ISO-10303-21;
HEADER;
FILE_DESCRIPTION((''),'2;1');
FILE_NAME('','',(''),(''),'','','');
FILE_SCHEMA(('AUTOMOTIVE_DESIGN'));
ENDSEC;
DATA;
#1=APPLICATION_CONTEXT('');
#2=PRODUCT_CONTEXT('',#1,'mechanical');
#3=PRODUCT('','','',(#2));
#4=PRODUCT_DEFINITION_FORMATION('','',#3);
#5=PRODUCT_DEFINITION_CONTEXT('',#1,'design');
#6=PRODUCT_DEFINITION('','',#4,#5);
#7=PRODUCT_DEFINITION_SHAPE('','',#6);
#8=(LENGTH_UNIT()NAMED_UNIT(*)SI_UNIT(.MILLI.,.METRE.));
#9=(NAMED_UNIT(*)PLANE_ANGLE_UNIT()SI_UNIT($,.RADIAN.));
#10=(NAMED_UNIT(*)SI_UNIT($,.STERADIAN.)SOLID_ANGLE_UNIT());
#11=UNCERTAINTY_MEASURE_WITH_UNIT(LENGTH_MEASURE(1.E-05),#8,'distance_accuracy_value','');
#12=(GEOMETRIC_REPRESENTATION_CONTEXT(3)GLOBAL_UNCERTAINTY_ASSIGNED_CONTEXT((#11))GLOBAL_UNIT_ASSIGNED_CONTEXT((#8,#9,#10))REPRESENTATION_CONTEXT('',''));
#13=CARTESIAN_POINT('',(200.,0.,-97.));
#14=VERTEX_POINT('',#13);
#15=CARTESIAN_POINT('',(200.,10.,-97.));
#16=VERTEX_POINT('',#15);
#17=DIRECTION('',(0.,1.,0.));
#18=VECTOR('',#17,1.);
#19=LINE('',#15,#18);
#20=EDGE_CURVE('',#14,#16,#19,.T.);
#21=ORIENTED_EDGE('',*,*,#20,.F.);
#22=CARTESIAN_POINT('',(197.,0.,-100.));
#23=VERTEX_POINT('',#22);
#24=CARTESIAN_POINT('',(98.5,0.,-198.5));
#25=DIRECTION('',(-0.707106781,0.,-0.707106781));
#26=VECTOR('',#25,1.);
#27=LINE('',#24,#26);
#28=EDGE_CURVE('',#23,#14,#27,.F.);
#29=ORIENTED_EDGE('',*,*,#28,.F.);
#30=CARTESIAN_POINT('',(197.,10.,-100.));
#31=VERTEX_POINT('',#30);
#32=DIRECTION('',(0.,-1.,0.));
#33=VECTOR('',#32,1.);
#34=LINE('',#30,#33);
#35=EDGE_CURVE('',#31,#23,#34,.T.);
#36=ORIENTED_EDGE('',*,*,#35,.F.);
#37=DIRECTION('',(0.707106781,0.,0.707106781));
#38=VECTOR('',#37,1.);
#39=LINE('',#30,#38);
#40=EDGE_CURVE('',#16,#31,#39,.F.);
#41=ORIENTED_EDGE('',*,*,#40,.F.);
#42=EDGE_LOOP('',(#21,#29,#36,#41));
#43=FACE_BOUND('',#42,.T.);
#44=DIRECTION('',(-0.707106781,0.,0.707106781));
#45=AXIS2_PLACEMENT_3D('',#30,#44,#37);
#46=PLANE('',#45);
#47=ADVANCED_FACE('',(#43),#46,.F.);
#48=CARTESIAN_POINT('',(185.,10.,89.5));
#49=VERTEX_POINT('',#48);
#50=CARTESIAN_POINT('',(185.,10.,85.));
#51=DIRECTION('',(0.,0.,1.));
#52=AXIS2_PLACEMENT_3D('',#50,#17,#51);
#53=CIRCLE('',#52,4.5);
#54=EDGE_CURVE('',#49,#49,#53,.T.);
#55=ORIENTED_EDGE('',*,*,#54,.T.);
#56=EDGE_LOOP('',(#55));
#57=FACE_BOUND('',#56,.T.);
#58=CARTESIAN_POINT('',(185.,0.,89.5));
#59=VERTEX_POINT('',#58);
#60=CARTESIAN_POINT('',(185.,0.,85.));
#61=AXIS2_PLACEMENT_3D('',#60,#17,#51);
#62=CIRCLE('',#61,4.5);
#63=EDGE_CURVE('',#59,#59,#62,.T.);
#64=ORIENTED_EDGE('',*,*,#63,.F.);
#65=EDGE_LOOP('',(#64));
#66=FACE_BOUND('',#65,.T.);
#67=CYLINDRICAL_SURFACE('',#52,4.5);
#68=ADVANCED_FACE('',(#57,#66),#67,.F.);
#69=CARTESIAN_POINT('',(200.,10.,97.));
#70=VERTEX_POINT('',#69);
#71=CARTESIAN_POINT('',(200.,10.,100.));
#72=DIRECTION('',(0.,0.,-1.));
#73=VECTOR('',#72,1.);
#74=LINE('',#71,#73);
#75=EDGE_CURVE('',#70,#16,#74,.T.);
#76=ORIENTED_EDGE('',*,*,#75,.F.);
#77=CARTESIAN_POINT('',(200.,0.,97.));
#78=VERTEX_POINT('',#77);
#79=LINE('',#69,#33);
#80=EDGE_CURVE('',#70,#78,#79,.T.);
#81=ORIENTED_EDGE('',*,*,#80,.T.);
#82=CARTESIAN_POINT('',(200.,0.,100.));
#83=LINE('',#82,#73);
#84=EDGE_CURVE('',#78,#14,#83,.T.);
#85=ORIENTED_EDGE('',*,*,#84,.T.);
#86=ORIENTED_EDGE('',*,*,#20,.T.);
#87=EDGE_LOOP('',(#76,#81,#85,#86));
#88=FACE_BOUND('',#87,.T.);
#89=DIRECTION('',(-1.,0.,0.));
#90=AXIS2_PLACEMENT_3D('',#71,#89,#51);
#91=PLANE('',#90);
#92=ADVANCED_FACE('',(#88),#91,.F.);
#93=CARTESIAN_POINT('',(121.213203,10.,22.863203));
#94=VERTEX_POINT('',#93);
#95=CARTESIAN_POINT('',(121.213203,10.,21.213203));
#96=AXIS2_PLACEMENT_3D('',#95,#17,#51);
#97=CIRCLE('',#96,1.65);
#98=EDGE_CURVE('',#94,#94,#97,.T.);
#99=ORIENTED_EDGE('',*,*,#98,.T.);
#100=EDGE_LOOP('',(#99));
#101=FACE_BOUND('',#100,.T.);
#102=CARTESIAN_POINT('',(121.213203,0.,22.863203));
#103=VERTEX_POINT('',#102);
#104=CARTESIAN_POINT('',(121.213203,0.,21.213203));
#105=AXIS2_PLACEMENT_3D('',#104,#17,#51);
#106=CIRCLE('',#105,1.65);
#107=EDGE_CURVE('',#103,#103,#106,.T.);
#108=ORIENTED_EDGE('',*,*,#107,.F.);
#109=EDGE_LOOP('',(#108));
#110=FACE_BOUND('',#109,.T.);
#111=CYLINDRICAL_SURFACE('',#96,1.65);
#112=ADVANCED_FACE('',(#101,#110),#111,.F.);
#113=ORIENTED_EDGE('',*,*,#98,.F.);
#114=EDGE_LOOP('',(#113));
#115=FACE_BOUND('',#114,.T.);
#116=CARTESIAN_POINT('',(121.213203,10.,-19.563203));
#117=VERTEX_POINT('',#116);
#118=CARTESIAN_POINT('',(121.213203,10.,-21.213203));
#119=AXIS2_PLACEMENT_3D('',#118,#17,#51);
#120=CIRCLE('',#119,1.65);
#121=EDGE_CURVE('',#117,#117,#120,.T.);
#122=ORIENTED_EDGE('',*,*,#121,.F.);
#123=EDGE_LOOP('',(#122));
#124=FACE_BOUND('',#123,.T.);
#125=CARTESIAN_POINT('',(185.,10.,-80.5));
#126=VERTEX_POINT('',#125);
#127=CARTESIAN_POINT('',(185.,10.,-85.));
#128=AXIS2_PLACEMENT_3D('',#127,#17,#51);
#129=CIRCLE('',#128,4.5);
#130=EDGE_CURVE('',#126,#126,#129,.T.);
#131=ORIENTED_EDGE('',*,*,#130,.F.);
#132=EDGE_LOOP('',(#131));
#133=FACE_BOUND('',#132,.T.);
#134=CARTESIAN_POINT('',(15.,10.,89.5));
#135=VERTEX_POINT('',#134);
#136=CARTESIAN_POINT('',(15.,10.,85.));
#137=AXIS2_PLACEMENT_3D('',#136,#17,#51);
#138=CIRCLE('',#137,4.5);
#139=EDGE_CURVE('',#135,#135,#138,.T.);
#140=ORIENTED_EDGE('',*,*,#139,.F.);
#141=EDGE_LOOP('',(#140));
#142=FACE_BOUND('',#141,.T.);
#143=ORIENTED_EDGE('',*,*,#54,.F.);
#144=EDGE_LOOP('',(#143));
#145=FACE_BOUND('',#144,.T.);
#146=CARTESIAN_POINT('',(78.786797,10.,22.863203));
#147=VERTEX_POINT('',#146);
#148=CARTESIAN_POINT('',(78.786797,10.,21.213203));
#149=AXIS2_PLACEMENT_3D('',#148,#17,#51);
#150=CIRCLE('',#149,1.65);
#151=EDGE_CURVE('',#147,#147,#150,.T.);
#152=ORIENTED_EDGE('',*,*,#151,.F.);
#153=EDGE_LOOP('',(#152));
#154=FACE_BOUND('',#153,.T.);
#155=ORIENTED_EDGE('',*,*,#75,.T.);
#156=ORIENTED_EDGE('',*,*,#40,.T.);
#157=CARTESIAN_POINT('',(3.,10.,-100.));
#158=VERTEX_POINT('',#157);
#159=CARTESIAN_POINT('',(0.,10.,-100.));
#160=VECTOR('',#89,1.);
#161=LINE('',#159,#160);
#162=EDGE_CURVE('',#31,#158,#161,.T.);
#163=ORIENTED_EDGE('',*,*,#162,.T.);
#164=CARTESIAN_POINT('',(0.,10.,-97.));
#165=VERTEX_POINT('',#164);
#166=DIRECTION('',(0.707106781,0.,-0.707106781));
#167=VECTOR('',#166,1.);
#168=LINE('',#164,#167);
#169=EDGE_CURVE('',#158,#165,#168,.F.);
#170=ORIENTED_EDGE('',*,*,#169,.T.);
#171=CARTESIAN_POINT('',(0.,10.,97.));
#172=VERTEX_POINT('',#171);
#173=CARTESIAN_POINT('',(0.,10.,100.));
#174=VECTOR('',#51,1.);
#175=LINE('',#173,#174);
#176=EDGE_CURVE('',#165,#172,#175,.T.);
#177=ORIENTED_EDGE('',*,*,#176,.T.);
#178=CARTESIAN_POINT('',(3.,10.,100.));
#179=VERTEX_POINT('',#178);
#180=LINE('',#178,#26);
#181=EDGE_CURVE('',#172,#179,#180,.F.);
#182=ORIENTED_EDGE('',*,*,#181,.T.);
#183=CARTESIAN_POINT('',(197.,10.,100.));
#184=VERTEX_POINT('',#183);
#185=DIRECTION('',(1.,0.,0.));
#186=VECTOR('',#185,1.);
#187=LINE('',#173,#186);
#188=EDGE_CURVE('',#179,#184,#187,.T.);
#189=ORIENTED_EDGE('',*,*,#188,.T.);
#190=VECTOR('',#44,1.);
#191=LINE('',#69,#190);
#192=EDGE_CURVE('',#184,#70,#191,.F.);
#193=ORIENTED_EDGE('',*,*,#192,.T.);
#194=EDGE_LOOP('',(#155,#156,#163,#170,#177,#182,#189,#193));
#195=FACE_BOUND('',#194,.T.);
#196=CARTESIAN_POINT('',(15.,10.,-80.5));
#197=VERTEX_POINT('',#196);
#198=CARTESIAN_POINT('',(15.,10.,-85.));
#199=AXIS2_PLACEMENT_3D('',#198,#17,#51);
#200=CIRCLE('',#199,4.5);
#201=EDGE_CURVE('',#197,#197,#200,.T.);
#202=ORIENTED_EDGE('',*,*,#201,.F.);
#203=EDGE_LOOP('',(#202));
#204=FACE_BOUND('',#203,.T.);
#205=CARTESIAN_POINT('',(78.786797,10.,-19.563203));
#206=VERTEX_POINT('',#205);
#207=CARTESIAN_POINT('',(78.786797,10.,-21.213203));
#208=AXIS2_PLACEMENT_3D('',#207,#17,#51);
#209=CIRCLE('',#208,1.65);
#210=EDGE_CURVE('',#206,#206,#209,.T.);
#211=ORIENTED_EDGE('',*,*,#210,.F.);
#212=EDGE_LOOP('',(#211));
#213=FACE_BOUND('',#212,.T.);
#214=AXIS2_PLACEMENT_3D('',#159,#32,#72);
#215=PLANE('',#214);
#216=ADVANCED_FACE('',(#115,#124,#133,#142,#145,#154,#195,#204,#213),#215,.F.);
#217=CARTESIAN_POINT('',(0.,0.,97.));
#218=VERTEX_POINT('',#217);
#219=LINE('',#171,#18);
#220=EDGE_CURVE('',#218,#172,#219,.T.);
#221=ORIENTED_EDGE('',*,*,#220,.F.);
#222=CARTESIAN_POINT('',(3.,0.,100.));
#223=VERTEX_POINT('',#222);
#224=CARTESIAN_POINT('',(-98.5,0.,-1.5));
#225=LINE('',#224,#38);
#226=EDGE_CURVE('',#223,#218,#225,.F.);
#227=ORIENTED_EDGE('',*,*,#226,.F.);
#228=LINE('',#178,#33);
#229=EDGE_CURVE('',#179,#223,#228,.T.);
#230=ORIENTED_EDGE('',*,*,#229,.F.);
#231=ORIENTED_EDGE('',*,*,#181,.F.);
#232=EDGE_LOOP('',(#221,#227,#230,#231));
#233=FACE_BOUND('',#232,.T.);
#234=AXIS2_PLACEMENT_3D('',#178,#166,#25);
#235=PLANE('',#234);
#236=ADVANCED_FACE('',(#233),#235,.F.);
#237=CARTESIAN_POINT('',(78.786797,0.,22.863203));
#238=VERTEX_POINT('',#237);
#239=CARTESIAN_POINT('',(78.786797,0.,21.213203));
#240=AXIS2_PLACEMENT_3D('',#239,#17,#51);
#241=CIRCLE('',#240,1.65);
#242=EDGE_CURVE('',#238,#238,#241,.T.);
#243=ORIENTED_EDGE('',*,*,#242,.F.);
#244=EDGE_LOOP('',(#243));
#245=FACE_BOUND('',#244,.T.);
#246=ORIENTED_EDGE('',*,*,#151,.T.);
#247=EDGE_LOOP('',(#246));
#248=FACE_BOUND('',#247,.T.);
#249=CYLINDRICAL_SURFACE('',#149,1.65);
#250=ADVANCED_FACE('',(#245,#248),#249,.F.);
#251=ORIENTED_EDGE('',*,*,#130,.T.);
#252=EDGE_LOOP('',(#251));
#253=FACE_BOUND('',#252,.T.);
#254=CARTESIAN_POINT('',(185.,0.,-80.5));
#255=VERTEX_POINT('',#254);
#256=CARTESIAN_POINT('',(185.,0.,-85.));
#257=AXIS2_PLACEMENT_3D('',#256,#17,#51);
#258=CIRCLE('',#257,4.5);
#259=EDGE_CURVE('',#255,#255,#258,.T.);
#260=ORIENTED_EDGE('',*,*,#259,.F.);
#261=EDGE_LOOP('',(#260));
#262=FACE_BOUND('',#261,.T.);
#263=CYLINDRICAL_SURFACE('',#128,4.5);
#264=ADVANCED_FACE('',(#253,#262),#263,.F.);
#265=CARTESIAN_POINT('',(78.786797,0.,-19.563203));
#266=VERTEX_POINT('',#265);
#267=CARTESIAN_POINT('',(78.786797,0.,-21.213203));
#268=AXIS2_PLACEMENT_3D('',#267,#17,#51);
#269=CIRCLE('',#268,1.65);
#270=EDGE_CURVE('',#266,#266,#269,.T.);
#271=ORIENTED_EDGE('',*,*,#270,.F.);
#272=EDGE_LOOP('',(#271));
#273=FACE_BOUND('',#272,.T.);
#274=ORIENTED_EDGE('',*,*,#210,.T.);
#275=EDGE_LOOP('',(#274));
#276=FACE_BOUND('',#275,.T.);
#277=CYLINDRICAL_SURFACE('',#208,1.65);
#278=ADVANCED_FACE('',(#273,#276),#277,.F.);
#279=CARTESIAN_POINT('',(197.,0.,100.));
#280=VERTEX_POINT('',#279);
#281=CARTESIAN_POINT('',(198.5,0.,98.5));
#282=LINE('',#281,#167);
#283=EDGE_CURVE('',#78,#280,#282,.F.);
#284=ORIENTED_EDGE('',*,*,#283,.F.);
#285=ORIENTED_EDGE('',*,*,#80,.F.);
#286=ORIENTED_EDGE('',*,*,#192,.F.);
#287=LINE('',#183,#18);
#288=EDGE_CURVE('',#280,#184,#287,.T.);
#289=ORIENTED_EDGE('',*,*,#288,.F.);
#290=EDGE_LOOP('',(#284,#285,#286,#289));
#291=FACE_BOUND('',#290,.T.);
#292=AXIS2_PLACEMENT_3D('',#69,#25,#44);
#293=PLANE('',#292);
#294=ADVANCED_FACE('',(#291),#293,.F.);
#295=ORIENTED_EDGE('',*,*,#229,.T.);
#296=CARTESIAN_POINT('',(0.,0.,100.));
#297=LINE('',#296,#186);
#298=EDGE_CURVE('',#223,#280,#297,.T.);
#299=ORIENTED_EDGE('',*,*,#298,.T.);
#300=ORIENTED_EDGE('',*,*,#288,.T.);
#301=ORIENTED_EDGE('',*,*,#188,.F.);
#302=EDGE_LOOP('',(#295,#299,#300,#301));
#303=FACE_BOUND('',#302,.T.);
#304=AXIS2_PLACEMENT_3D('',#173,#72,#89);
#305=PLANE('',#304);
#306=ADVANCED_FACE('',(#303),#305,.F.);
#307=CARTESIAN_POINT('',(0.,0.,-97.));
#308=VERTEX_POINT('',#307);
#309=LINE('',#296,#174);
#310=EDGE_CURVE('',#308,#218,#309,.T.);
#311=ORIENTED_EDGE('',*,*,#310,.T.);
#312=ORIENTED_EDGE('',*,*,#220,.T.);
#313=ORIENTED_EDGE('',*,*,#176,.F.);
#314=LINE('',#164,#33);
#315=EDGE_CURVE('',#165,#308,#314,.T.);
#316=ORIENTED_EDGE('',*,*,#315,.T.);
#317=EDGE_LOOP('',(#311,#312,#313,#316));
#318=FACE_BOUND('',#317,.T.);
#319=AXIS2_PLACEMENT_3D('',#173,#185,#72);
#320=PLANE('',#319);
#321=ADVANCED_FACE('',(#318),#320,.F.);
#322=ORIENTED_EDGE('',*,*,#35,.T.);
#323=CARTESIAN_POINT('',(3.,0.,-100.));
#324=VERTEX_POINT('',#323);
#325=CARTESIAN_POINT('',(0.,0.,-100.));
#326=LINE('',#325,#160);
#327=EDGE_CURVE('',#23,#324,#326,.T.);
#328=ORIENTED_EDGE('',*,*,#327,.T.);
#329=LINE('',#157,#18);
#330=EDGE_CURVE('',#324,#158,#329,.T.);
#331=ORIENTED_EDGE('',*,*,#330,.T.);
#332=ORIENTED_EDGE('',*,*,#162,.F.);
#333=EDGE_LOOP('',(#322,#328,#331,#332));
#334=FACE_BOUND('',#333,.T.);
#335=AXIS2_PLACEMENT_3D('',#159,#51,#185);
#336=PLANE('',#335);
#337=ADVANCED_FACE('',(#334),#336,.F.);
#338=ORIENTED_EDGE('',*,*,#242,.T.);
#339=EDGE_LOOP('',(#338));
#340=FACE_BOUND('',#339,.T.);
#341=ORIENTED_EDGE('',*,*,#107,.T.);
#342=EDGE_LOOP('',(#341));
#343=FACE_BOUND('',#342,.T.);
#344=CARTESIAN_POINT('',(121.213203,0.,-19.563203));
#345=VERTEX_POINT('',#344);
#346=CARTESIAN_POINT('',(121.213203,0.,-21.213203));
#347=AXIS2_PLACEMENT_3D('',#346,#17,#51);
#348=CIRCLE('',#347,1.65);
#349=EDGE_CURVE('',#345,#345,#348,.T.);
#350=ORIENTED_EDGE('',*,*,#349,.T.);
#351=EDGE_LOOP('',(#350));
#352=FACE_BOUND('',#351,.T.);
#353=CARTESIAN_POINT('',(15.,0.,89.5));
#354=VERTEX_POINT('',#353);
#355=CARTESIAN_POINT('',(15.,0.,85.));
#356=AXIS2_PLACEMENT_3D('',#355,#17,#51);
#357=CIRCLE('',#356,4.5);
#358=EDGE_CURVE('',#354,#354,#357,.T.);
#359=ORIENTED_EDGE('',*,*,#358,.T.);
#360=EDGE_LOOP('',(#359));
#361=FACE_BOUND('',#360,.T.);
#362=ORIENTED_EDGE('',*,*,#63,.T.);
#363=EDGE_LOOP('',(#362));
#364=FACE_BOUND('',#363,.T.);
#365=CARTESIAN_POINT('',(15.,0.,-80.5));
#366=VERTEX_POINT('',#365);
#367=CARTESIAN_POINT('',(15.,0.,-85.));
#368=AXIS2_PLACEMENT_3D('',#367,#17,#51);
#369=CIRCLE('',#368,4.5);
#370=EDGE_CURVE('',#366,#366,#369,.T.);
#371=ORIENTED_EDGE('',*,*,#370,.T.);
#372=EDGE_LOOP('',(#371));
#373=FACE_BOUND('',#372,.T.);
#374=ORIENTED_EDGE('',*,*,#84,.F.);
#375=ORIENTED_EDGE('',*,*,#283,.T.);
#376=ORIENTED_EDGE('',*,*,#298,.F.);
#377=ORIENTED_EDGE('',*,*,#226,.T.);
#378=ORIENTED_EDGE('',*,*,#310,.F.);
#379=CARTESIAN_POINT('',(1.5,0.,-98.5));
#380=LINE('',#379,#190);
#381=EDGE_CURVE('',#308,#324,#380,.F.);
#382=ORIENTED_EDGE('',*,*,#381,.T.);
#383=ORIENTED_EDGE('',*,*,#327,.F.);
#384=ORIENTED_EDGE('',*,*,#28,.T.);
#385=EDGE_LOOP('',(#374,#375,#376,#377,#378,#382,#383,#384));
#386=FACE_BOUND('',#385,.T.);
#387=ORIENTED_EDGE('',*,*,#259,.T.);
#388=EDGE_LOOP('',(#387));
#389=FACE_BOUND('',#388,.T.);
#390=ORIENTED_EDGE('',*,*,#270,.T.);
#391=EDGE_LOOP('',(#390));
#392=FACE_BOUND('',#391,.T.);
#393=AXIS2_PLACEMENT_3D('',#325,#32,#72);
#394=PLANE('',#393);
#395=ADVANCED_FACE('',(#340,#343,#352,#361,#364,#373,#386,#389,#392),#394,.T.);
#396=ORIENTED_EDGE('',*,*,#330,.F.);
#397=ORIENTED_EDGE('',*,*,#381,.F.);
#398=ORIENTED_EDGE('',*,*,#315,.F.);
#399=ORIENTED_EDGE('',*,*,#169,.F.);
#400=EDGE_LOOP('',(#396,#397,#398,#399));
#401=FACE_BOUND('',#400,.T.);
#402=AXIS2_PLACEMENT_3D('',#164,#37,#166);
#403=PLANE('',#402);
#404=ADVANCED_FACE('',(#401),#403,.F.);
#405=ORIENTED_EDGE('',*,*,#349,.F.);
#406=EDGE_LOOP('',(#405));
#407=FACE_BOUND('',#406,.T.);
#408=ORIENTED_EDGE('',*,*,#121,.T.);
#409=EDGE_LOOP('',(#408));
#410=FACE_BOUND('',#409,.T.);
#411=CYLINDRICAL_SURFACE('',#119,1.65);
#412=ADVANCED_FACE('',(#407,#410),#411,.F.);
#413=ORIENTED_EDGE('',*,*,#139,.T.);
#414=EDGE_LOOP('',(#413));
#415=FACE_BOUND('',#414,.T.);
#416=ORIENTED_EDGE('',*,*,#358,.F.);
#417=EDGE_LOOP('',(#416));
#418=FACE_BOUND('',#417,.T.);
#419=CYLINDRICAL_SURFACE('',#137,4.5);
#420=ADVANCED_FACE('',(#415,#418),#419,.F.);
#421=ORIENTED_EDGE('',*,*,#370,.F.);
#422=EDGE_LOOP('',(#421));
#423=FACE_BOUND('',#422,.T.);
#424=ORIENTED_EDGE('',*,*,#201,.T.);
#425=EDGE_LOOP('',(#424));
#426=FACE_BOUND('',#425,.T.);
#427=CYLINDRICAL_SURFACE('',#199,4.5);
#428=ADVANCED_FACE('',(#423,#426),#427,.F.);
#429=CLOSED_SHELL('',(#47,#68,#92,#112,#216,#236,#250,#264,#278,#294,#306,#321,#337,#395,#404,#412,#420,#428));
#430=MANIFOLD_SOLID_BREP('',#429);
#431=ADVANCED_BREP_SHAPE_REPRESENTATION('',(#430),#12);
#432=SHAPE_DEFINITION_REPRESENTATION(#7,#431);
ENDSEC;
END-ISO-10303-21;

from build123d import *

# Parameters (mm, degrees)
SKETCH1_W             = 200
SKETCH1_H             = 200
BOSS_EXTRUDE1_DEPTH   = 10
M8_CLEARANCE_HOLE1_D  = 9
M4X0_7_TAPPED_HOLE1_D = 3.3
CHAMFER1_SIZE         = 3


with BuildPart() as part:
    # Sketch1 → Boss-Extrude1 (new body)
    with BuildSketch(Plane(origin=(0, 0, 0), x_dir=(1, 0, 0), z_dir=(0, 1, 0))):
        with Locations((100, 0)):
            Rectangle(SKETCH1_W, SKETCH1_H)
    extrude(amount=BOSS_EXTRUDE1_DEPTH)

    # M8 Clearance Hole1 (through all)
    with Locations(Plane(origin=(0, 10, 0), x_dir=(-1, 0, 0), z_dir=(0, 1, 0))):
        with Locations((-15, 85), (-15, -85), (-185, -85), (-185, 85)):
            Hole(M8_CLEARANCE_HOLE1_D / 2)

    # M4x0.7 Tapped Hole1 (through all)
    with Locations(Plane(origin=(0, 10, 0), x_dir=(-1, 0, 0), z_dir=(0, 1, 0))):
        with Locations((-78.786796564, 21.213203436), (-121.213203436, 21.213203436), (-121.213203436, -21.213203436), (-78.786796564, -21.213203436)):
            Hole(M4X0_7_TAPPED_HOLE1_D / 2)

    # Chamfer1
    chamfer1_edges = [part.edges().sort_by_distance(p)[0] for p in [
        (0, 5, -100),
        (200, 5, -100),
        (200, 5, 100),
        (0, 5, 100),
    ]]
    chamfer(chamfer1_edges, length=CHAMFER1_SIZE)


solid = part.part
